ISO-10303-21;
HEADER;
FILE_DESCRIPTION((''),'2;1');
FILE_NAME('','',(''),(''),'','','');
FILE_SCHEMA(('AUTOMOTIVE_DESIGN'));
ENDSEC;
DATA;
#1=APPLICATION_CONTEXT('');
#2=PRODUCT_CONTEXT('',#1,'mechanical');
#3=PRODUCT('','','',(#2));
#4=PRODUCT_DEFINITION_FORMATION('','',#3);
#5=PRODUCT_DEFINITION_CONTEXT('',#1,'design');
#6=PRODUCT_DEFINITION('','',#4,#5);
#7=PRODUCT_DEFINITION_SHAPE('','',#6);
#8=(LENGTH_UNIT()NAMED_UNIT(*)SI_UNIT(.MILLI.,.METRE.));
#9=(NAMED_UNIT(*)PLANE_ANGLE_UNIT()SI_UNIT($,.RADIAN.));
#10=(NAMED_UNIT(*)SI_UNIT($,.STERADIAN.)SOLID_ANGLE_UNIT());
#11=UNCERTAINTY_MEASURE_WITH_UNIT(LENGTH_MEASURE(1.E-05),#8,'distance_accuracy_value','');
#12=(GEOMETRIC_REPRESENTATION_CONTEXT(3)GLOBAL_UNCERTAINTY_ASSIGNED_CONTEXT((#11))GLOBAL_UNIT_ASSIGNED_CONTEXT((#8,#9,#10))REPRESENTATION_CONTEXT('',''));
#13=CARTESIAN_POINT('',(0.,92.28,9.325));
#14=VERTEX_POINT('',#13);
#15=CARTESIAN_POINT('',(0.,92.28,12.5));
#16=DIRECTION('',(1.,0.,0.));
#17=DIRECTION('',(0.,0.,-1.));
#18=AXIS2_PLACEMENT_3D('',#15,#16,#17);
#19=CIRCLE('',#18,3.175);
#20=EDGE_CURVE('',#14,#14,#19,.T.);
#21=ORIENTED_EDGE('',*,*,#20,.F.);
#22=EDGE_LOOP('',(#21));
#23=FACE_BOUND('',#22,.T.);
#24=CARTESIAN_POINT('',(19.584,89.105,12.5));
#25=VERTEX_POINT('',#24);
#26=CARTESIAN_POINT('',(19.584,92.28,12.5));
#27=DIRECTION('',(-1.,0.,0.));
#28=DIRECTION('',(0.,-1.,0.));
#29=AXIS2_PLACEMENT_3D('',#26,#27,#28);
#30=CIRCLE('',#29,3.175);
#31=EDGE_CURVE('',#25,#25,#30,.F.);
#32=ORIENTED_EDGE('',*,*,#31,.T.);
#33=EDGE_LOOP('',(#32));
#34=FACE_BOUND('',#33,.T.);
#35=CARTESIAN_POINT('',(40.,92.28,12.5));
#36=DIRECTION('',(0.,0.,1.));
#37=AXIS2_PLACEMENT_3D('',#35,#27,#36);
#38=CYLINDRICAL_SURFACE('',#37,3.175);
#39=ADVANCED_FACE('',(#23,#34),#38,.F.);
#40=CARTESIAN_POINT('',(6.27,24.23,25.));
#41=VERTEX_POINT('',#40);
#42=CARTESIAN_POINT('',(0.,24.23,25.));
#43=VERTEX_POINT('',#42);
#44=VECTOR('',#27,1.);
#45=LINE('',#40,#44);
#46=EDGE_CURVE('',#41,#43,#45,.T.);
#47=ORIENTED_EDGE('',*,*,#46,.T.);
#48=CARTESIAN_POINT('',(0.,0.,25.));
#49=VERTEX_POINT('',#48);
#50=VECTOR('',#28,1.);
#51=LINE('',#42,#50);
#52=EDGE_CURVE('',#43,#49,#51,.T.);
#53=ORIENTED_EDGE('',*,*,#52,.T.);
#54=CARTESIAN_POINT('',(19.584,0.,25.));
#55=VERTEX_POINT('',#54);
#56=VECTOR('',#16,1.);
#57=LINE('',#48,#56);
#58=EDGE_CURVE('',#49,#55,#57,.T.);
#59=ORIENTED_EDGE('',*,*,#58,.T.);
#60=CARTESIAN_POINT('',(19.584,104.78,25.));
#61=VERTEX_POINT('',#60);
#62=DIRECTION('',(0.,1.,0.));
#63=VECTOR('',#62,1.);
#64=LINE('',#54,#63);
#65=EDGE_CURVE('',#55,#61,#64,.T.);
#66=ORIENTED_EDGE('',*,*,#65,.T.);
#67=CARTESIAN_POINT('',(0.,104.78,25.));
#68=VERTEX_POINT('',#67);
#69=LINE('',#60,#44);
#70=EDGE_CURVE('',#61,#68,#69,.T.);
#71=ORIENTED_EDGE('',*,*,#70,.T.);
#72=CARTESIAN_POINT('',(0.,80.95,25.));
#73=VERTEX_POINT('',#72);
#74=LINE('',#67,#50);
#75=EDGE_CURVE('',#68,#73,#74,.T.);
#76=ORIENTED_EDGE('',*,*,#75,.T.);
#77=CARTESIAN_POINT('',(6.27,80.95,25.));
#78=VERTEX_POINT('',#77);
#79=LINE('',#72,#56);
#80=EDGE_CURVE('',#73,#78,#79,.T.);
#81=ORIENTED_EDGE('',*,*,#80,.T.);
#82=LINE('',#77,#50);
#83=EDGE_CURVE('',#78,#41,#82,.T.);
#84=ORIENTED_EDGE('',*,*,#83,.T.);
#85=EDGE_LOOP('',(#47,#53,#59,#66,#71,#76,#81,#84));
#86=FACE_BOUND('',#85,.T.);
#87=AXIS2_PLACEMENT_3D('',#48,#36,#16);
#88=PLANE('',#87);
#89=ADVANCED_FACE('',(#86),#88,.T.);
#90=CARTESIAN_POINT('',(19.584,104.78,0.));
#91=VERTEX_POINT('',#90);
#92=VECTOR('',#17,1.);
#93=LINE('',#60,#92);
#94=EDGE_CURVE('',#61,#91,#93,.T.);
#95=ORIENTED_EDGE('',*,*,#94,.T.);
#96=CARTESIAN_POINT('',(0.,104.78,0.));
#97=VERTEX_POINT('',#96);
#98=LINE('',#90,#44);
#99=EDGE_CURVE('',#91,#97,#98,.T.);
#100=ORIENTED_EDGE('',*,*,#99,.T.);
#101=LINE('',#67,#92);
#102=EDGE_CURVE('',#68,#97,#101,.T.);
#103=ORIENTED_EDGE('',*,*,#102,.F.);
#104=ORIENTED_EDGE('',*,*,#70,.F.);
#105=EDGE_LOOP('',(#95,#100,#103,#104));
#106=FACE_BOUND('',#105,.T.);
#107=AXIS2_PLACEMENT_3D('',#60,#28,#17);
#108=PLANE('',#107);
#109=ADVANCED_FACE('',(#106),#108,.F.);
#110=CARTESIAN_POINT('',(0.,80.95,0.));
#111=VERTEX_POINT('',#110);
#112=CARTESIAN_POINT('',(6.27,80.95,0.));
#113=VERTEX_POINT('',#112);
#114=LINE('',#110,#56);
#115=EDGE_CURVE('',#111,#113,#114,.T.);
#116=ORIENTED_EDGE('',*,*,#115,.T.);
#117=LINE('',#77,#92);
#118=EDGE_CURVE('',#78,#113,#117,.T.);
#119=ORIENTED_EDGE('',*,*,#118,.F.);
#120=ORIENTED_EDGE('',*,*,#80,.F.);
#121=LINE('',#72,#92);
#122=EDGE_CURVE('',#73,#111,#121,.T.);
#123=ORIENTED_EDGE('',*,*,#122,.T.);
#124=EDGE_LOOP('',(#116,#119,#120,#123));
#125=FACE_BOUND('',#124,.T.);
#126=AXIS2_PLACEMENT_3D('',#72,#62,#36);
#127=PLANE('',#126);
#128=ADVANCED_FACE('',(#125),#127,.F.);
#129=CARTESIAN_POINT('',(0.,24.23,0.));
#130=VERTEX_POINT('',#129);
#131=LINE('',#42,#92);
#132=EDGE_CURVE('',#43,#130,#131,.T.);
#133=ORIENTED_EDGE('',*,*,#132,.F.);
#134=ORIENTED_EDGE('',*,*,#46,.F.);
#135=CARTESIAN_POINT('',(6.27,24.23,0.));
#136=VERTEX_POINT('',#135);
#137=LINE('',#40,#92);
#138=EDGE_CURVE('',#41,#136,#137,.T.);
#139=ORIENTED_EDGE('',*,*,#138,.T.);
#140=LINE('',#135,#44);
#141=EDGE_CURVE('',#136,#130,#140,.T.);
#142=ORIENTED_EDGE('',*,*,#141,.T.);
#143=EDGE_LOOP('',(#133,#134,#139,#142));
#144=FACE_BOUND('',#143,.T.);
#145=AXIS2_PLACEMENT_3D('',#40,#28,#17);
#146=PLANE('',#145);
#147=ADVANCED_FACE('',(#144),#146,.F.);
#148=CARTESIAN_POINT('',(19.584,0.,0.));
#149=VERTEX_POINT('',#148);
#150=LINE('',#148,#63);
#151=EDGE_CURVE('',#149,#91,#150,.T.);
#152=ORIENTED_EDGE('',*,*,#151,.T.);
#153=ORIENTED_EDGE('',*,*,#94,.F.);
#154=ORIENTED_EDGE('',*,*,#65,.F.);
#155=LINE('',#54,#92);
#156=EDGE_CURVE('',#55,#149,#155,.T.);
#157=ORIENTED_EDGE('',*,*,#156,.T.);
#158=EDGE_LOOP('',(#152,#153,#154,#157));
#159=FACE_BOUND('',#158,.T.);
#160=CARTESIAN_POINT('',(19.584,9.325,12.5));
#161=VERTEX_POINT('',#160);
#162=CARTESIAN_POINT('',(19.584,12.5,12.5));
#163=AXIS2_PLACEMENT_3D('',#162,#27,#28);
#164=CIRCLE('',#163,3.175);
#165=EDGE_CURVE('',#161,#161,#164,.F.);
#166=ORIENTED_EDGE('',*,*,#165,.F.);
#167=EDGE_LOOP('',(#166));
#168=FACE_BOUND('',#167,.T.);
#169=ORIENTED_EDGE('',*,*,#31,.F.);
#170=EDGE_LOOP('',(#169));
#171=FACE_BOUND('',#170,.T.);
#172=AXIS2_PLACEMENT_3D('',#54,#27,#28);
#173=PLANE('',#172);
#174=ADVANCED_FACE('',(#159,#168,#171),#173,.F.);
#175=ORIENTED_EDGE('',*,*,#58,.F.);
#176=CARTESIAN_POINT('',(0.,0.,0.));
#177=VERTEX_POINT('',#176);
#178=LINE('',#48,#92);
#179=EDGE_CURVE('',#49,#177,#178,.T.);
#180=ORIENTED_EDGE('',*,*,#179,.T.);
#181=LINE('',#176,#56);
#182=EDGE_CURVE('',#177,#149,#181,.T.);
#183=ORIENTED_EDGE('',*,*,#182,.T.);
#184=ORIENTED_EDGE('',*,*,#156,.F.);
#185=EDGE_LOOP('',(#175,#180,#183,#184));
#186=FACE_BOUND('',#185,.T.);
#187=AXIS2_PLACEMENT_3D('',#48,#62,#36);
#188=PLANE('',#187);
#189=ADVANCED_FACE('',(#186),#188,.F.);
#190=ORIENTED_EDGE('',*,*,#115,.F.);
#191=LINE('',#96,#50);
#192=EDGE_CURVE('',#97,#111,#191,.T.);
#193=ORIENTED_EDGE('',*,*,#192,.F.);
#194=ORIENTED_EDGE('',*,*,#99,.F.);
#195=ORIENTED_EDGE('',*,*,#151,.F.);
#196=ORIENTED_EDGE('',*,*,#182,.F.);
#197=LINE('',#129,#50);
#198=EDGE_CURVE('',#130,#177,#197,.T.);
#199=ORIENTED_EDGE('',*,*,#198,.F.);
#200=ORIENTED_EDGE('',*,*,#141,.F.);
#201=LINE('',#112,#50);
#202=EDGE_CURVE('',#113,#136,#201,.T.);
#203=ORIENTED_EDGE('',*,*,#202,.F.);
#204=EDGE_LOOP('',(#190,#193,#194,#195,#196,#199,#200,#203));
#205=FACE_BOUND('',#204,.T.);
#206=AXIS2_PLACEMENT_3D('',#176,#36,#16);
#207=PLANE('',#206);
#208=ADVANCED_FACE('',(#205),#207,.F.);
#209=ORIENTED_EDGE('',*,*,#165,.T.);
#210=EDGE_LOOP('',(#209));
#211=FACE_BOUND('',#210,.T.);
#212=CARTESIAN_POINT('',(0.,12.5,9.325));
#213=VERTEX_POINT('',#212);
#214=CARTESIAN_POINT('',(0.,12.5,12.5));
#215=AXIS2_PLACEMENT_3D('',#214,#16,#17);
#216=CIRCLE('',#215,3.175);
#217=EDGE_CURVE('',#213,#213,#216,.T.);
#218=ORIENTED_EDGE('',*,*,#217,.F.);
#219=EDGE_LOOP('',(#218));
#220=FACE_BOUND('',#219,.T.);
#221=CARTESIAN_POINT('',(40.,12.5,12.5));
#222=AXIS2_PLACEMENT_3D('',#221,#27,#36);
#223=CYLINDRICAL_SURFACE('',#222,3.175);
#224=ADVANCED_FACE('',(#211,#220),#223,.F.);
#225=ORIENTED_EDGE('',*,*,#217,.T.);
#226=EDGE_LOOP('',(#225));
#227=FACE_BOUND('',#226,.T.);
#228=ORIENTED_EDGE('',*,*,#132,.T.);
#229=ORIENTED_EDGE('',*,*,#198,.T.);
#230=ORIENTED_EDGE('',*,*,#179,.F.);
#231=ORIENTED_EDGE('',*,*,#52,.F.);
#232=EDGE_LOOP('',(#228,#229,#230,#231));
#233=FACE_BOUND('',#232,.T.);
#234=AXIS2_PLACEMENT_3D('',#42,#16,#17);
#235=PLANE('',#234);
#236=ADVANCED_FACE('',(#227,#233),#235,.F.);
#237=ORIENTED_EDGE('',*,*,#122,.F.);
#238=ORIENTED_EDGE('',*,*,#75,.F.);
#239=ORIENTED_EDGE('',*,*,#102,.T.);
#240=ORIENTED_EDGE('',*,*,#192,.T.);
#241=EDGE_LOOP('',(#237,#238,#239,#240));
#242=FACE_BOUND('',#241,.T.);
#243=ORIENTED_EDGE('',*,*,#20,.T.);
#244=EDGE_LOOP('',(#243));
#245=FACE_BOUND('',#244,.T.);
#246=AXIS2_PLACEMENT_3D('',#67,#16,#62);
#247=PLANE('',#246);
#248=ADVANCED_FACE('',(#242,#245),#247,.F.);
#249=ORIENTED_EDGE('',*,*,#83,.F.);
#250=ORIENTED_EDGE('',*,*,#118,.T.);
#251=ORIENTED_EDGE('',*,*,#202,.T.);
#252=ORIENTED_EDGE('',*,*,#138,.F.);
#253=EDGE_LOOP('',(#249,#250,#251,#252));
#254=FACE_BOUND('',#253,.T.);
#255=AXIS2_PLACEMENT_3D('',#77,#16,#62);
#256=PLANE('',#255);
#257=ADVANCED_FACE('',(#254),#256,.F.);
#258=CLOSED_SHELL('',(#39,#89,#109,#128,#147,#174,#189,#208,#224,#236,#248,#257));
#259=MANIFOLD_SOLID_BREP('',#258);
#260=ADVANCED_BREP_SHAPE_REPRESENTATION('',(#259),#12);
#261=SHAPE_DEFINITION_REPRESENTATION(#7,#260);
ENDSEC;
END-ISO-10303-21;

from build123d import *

# Parameters (mm, degrees)
BOSS_EXTRUDE1_DEPTH = 25
SKETCH2_R           = 3.175
CUT_EXTRUDE1_DEPTH  = 40


with BuildPart() as part:
    # Sketch1 → Boss-Extrude1 (new body)
    with BuildSketch(Plane.XY):
        Polygon((0, 0), (19.584, 0), (19.584, 104.78), (0, 104.78), (0, 80.95), (6.27, 80.95), (6.27, 24.23), (0, 24.23), align=None)
    extrude(amount=BOSS_EXTRUDE1_DEPTH)

    # Sketch2 → Cut-Extrude1 (cut)
    with BuildSketch(Plane(origin=(0, 0, 0), x_dir=(0, 0, -1), z_dir=(1, 0, 0))):
        with Locations(Location((-12.5, 92.28, 0), (0, 0, 270))):
            Circle(SKETCH2_R)
        with Locations(Location((-12.5, 12.5, 0), (0, 0, 270))):
            Circle(SKETCH2_R)
    extrude(amount=CUT_EXTRUDE1_DEPTH, mode=Mode.SUBTRACT)


solid = part.part
